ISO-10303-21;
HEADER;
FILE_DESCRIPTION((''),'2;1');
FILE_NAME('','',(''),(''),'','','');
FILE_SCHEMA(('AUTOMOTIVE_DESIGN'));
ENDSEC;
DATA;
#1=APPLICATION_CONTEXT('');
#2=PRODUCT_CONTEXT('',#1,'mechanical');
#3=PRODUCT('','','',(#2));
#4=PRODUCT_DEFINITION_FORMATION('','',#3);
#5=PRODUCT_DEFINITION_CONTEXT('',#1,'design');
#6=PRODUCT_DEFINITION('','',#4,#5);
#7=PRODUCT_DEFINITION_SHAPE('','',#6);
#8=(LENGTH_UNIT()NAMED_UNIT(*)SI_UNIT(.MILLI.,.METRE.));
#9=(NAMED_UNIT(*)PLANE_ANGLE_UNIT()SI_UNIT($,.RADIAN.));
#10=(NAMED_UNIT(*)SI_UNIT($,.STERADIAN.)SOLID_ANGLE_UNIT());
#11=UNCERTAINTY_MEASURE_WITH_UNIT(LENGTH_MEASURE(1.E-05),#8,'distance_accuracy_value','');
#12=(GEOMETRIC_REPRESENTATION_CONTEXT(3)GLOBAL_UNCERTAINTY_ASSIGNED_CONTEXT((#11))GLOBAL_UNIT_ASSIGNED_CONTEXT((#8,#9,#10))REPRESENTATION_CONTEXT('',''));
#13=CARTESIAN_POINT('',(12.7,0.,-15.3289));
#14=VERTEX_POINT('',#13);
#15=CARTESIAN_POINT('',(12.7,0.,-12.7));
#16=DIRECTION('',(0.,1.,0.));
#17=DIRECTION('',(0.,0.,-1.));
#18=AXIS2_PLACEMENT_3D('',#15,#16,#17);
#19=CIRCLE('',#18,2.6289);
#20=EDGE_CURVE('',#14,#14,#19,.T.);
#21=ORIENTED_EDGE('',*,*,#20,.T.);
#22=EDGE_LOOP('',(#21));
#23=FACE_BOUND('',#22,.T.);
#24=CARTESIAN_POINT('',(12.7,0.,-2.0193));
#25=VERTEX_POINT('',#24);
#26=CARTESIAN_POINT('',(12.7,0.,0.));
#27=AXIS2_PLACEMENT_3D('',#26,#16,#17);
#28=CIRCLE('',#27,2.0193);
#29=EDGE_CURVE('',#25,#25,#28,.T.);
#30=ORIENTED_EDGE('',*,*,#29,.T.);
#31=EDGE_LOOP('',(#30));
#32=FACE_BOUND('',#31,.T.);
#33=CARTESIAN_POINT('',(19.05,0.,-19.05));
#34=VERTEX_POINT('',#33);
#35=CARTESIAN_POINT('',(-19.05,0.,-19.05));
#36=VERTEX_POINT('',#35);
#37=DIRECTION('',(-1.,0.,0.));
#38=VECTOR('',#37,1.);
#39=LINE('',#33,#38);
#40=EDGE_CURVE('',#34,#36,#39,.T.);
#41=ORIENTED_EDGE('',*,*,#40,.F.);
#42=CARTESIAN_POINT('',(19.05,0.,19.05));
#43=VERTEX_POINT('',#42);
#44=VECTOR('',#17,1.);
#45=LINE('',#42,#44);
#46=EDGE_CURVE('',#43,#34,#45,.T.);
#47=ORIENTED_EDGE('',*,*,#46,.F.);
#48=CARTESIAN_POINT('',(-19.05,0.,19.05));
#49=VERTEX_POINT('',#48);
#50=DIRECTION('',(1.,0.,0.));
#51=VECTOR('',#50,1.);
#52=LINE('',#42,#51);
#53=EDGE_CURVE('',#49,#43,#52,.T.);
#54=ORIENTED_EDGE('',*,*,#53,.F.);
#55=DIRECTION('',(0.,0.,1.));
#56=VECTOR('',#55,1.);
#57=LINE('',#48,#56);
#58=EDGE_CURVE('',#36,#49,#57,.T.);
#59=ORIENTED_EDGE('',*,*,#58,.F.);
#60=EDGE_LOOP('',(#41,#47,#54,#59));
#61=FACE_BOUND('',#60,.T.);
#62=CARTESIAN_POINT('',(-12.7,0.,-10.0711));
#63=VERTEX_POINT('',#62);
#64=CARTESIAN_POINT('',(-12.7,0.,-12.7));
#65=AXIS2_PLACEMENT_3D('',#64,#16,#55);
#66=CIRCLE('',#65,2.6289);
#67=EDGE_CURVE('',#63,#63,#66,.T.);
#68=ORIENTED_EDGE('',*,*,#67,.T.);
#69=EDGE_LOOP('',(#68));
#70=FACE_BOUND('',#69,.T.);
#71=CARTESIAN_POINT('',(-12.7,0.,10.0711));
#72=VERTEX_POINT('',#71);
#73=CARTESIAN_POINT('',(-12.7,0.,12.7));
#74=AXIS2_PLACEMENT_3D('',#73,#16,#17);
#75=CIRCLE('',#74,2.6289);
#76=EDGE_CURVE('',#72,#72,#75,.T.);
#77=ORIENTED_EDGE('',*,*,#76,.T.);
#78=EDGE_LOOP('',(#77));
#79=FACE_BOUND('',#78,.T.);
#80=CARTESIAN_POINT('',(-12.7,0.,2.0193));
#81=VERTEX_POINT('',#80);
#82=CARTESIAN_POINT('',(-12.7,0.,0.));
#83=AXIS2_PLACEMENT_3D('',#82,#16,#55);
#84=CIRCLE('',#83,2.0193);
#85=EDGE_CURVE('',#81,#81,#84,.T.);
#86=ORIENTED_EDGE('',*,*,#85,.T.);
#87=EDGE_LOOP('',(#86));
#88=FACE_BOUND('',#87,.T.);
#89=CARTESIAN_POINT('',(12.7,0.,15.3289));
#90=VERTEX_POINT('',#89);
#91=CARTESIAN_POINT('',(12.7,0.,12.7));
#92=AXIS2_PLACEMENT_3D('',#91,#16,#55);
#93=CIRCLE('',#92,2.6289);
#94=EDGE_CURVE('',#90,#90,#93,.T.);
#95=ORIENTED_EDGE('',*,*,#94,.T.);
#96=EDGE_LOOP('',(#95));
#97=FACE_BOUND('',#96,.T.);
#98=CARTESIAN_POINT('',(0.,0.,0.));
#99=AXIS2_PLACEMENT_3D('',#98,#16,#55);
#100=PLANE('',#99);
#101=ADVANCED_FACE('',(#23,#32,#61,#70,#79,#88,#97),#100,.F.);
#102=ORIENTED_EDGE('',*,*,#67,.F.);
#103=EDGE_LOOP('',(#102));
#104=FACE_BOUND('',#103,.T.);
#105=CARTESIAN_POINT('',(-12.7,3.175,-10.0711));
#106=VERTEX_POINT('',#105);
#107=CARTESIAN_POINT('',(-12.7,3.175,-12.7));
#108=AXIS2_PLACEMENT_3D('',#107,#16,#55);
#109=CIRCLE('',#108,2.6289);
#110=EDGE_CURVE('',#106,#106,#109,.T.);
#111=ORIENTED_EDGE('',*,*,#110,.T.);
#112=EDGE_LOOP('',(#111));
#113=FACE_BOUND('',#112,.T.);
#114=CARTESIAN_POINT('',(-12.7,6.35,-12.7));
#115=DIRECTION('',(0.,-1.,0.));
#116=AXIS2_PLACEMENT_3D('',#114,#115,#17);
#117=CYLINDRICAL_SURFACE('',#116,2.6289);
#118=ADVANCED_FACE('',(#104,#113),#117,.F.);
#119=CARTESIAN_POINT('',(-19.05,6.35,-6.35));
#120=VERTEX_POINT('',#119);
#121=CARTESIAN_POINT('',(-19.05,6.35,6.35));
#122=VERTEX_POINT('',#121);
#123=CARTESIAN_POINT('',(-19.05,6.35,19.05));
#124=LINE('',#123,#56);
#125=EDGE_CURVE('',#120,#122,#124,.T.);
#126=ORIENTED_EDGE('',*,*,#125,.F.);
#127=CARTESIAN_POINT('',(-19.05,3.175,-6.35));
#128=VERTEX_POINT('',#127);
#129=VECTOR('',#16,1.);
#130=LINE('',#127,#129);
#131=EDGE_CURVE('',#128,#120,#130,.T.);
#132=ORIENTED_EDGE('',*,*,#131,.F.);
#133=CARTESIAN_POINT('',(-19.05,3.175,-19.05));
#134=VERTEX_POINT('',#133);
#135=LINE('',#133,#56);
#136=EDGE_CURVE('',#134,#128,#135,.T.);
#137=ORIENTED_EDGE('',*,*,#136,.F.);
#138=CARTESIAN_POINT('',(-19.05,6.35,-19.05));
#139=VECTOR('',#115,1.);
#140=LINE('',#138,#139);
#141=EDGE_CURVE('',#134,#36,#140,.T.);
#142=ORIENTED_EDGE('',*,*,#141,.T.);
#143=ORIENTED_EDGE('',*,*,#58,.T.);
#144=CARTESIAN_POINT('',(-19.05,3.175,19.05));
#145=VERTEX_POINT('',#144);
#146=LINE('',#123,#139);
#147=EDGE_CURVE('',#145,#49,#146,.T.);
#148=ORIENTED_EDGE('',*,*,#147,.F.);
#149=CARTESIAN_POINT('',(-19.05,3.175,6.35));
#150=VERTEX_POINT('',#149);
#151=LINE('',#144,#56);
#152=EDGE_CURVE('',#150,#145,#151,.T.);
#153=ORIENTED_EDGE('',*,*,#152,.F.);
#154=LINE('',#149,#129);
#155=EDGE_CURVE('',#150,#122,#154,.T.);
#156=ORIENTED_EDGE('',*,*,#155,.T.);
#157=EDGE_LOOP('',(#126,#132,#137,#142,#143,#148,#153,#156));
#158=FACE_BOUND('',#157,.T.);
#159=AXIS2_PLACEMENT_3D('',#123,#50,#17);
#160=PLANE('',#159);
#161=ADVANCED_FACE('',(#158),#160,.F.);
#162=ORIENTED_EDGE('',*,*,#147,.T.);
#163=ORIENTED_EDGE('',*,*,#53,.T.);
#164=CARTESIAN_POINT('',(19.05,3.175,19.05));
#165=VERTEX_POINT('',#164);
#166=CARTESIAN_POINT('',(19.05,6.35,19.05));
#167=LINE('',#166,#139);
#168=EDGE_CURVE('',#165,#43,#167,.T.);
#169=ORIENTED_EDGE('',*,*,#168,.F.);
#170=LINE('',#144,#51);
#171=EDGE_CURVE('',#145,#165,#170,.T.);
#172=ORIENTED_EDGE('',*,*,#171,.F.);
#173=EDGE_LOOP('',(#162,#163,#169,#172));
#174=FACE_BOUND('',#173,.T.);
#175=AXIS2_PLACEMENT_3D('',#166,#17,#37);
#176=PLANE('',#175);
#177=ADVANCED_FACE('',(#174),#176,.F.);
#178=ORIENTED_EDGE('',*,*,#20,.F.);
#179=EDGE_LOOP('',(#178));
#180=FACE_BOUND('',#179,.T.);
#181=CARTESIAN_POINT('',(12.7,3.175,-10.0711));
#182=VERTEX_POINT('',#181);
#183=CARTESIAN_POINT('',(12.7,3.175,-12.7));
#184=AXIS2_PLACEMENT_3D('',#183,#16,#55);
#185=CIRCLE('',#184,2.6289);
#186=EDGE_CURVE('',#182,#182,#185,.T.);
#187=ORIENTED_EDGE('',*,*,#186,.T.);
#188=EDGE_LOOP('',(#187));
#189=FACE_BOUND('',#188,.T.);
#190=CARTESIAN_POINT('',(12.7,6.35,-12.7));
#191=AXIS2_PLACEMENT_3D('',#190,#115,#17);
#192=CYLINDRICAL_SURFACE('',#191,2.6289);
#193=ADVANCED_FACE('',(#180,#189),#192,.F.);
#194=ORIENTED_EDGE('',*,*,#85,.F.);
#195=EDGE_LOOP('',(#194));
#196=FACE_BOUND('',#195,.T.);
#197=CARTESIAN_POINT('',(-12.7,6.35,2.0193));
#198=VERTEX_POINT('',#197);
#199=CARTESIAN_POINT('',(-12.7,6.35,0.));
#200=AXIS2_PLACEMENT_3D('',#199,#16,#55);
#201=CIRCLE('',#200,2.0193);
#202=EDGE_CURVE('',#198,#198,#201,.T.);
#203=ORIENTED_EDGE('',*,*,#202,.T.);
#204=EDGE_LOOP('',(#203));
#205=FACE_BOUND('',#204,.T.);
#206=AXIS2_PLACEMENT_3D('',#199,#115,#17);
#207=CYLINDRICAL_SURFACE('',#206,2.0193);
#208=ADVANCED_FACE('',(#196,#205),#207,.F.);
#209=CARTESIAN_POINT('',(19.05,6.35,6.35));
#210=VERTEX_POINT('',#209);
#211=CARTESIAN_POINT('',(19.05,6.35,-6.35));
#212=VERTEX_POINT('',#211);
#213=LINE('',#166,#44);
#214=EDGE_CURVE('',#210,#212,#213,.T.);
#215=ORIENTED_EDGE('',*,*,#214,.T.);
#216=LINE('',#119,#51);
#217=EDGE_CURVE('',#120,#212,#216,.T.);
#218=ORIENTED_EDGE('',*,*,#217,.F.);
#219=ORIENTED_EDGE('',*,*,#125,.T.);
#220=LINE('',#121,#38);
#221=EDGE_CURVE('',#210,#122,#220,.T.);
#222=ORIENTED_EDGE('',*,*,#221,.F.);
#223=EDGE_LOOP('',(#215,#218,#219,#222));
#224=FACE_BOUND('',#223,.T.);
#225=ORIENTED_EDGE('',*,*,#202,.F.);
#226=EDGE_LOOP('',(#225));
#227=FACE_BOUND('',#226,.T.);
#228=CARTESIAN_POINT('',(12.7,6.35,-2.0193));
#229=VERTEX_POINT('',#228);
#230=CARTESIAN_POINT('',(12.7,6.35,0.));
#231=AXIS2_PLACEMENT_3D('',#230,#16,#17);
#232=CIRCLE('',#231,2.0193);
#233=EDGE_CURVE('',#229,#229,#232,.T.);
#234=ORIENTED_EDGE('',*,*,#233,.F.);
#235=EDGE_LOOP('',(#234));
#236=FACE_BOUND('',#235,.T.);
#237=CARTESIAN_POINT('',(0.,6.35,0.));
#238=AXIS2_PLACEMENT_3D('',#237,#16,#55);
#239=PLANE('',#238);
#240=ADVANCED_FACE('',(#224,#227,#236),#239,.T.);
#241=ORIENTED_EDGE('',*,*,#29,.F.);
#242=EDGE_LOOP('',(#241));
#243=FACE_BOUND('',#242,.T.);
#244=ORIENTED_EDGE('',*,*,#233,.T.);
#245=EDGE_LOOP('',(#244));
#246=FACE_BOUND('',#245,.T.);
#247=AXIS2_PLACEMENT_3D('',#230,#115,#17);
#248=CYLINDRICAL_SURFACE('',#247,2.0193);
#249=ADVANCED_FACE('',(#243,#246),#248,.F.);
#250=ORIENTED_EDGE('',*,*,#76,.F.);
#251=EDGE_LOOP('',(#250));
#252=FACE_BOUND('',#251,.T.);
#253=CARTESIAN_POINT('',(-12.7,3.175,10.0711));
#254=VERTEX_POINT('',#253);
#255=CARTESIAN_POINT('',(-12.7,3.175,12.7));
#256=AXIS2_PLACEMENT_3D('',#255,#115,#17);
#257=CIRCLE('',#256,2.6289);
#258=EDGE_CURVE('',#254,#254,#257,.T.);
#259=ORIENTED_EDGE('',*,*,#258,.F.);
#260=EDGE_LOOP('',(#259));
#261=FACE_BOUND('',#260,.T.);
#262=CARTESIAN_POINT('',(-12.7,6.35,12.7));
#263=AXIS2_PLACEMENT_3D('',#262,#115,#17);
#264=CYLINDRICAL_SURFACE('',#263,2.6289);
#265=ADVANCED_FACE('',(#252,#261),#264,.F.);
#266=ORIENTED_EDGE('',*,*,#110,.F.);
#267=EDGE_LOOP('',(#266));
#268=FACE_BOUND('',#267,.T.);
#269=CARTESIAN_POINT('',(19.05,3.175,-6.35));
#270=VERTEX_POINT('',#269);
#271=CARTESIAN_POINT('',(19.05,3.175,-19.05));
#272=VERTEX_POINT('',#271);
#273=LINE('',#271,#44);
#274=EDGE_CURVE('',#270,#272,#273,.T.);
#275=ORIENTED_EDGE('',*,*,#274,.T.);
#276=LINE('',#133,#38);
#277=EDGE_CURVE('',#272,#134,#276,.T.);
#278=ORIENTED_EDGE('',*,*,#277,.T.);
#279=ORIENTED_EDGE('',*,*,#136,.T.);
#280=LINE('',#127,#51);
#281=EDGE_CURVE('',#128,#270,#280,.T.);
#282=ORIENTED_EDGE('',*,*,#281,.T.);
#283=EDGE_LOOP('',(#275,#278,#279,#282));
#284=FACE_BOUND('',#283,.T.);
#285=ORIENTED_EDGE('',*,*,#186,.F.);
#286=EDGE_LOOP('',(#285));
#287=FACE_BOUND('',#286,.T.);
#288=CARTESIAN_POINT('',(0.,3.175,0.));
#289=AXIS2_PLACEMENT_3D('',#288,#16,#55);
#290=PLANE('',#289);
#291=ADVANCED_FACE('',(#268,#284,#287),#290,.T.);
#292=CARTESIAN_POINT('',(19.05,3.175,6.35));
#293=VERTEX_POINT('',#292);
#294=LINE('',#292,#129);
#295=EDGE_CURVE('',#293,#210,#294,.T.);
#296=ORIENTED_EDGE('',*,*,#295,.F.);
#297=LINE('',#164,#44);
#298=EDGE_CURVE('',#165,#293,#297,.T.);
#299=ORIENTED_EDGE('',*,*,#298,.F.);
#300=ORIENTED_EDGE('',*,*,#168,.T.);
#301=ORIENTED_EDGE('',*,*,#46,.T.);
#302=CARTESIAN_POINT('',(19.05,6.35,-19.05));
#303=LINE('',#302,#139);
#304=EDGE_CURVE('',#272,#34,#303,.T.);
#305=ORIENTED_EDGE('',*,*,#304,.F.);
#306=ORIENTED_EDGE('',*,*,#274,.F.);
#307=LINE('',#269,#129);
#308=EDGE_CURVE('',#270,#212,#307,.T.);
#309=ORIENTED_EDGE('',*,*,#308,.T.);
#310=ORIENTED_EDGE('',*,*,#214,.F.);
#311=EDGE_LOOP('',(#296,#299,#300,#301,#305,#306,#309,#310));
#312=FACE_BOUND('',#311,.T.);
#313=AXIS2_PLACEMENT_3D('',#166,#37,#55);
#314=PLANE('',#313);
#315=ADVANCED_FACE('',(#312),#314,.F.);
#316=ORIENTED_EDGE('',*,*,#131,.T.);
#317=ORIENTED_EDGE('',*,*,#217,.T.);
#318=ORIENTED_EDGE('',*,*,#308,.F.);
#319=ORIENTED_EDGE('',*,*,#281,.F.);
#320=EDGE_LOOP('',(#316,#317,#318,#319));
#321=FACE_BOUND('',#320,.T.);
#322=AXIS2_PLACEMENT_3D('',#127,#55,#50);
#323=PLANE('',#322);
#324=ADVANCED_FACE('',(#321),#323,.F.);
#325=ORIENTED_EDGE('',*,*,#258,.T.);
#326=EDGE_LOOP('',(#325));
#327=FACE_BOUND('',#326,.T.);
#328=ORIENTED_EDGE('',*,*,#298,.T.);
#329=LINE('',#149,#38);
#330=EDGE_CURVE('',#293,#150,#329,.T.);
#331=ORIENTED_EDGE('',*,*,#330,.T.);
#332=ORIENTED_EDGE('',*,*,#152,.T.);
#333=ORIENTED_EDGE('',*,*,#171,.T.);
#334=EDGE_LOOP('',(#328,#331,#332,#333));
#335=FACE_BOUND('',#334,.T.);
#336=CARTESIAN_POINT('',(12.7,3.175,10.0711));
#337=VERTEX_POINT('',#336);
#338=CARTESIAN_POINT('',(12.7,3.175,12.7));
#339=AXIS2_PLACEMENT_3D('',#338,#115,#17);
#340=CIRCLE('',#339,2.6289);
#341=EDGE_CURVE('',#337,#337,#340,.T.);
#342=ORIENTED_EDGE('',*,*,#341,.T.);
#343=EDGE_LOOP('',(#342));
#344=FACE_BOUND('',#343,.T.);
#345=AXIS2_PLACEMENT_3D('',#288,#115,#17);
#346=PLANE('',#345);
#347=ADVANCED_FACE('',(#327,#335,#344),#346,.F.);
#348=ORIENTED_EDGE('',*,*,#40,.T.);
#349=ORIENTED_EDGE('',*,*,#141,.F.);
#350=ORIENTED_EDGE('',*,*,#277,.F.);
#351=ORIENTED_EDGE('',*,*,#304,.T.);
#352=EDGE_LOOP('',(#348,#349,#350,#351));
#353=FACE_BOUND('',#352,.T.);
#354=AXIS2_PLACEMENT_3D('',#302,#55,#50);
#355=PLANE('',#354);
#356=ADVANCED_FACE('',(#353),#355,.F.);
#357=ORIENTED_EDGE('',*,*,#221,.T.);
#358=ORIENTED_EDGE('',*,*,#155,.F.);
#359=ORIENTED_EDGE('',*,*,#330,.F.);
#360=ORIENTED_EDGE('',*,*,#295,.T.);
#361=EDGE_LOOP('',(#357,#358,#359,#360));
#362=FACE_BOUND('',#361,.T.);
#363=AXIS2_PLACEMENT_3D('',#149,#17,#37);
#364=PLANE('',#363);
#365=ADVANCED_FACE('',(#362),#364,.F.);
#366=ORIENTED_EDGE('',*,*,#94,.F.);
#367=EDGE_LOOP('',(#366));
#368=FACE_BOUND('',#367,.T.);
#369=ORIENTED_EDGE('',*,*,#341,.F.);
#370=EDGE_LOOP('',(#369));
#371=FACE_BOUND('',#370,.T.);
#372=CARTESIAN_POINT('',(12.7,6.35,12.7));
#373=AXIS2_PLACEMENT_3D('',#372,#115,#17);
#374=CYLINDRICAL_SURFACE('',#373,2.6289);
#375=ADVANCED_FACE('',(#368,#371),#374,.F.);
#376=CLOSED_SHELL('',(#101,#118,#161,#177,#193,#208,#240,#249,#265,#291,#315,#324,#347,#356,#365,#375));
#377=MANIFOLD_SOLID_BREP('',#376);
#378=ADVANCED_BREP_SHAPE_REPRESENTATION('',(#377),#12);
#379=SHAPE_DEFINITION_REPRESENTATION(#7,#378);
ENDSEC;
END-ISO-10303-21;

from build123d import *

# Parameters (mm, degrees)
SKETCH1_W           = 38.1
SKETCH1_H           = 38.1
SKETCH1_R           = 2.0193
SKETCH1_R_2         = 2.6289
BOSS_EXTRUDE4_DEPTH = 6.35
SKETCH12_W          = 38.1
SKETCH12_H          = 12.7
CUT_EXTRUDE7_DEPTH  = 3.175


with BuildPart() as part:
    # Sketch1 → Boss-Extrude4 (new body)
    with BuildSketch(Plane(origin=(0, 0, 0), x_dir=(1, 0, 0), z_dir=(0, 1, 0))):
        Rectangle(SKETCH1_W, SKETCH1_H)
        with Locations((-12.7, 0)):
            Circle(SKETCH1_R, mode=Mode.SUBTRACT)
        with Locations((12.7, 0)):
            Circle(SKETCH1_R, mode=Mode.SUBTRACT)
        with Locations((-12.7, 12.7)):
            Circle(SKETCH1_R_2, mode=Mode.SUBTRACT)
        with Locations((12.7, 12.7)):
            Circle(SKETCH1_R_2, mode=Mode.SUBTRACT)
        with Locations((12.7, -12.7)):
            Circle(SKETCH1_R_2, mode=Mode.SUBTRACT)
        with Locations((-12.7, -12.7)):
            Circle(SKETCH1_R_2, mode=Mode.SUBTRACT)
    extrude(amount=BOSS_EXTRUDE4_DEPTH)

    # Sketch12 → Cut-Extrude7 (cut)
    with BuildSketch(Plane(origin=(0, 6.35, 0), x_dir=(1, 0, 0), z_dir=(0, 1, 0))):
        with Locations((0, 12.7)):
            Rectangle(SKETCH12_W, SKETCH12_H)
        with Locations((0, -12.7)):
            Rectangle(SKETCH12_W, SKETCH12_H)
    extrude(amount=-CUT_EXTRUDE7_DEPTH, mode=Mode.SUBTRACT)


solid = part.part
